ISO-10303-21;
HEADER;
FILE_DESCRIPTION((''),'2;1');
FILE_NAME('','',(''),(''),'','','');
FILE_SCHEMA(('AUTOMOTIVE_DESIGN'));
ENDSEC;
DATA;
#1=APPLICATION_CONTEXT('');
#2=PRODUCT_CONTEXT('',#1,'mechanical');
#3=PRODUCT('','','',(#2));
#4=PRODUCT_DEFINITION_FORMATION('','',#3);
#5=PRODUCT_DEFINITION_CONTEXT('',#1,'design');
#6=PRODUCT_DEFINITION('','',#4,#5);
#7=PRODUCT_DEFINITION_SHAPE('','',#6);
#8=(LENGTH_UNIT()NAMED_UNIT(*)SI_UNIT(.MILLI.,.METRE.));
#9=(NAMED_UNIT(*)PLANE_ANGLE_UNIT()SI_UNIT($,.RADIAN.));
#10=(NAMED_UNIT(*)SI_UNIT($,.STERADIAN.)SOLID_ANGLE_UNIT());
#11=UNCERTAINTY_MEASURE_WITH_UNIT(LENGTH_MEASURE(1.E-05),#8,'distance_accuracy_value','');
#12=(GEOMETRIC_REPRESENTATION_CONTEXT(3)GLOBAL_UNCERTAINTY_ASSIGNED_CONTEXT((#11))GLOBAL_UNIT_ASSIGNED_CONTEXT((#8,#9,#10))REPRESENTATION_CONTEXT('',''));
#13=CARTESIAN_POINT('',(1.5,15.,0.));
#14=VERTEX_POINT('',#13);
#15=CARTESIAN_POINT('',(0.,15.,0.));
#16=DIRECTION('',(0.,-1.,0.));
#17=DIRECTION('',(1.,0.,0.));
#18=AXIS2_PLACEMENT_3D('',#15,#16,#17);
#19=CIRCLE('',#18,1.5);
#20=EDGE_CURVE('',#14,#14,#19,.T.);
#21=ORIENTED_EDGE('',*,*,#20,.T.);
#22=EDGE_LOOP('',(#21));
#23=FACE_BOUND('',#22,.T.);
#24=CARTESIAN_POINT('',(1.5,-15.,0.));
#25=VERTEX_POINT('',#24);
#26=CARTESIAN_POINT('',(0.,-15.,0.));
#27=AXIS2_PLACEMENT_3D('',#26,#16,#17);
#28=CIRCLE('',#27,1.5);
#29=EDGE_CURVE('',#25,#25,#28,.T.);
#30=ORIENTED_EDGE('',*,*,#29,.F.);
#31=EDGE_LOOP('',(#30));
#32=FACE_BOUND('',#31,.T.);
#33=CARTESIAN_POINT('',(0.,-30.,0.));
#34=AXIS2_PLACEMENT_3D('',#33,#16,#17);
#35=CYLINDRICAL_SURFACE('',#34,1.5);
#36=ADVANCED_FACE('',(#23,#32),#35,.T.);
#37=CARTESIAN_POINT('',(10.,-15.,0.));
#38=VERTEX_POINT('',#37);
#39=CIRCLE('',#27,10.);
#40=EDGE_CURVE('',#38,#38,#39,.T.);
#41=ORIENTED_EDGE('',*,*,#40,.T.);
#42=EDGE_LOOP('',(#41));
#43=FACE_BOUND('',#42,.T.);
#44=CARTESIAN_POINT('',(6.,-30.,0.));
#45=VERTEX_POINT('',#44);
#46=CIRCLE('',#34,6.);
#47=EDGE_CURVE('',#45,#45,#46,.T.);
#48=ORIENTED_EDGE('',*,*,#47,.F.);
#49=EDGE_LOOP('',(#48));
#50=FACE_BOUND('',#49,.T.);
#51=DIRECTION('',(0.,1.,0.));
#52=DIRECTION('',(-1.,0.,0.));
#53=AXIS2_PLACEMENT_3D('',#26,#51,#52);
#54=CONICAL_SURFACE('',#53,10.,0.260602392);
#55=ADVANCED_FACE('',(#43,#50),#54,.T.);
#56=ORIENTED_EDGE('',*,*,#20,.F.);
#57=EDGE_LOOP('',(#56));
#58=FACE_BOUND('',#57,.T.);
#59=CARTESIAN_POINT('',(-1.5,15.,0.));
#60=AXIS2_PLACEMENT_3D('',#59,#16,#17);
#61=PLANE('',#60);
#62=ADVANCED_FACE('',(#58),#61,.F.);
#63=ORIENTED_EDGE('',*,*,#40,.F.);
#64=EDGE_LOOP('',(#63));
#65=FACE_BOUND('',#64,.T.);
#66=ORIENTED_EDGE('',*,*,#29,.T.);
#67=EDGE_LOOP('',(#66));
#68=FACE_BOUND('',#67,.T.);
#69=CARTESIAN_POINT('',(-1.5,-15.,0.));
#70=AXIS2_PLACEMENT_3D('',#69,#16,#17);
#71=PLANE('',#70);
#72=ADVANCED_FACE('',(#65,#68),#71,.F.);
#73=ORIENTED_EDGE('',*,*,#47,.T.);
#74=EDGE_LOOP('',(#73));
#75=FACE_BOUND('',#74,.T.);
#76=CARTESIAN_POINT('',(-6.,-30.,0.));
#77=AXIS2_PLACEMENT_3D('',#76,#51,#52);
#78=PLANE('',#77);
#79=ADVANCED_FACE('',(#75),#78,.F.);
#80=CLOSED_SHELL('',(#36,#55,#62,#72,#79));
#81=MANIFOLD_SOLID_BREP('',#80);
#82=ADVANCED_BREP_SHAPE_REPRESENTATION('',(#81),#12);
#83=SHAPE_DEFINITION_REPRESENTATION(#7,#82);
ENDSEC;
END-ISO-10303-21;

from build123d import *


with BuildPart() as part:
    # 草圖1 → 旋轉1 (revolve)
    with BuildSketch(Plane.XY, mode=Mode.PRIVATE) as revolve_1_sk:
        Polygon((-1.5, -15), (-10, -15), (-6, -30), (0, -30), (0, -15), (0, 15), (-1.5, 15), align=None)
    revolve(revolve_1_sk.sketch.rotate(Axis((0, -30, 0), (0, 1, 0)), 180), axis=Axis((0, -30, 0), (0, 1, 0)))


solid = part.part
